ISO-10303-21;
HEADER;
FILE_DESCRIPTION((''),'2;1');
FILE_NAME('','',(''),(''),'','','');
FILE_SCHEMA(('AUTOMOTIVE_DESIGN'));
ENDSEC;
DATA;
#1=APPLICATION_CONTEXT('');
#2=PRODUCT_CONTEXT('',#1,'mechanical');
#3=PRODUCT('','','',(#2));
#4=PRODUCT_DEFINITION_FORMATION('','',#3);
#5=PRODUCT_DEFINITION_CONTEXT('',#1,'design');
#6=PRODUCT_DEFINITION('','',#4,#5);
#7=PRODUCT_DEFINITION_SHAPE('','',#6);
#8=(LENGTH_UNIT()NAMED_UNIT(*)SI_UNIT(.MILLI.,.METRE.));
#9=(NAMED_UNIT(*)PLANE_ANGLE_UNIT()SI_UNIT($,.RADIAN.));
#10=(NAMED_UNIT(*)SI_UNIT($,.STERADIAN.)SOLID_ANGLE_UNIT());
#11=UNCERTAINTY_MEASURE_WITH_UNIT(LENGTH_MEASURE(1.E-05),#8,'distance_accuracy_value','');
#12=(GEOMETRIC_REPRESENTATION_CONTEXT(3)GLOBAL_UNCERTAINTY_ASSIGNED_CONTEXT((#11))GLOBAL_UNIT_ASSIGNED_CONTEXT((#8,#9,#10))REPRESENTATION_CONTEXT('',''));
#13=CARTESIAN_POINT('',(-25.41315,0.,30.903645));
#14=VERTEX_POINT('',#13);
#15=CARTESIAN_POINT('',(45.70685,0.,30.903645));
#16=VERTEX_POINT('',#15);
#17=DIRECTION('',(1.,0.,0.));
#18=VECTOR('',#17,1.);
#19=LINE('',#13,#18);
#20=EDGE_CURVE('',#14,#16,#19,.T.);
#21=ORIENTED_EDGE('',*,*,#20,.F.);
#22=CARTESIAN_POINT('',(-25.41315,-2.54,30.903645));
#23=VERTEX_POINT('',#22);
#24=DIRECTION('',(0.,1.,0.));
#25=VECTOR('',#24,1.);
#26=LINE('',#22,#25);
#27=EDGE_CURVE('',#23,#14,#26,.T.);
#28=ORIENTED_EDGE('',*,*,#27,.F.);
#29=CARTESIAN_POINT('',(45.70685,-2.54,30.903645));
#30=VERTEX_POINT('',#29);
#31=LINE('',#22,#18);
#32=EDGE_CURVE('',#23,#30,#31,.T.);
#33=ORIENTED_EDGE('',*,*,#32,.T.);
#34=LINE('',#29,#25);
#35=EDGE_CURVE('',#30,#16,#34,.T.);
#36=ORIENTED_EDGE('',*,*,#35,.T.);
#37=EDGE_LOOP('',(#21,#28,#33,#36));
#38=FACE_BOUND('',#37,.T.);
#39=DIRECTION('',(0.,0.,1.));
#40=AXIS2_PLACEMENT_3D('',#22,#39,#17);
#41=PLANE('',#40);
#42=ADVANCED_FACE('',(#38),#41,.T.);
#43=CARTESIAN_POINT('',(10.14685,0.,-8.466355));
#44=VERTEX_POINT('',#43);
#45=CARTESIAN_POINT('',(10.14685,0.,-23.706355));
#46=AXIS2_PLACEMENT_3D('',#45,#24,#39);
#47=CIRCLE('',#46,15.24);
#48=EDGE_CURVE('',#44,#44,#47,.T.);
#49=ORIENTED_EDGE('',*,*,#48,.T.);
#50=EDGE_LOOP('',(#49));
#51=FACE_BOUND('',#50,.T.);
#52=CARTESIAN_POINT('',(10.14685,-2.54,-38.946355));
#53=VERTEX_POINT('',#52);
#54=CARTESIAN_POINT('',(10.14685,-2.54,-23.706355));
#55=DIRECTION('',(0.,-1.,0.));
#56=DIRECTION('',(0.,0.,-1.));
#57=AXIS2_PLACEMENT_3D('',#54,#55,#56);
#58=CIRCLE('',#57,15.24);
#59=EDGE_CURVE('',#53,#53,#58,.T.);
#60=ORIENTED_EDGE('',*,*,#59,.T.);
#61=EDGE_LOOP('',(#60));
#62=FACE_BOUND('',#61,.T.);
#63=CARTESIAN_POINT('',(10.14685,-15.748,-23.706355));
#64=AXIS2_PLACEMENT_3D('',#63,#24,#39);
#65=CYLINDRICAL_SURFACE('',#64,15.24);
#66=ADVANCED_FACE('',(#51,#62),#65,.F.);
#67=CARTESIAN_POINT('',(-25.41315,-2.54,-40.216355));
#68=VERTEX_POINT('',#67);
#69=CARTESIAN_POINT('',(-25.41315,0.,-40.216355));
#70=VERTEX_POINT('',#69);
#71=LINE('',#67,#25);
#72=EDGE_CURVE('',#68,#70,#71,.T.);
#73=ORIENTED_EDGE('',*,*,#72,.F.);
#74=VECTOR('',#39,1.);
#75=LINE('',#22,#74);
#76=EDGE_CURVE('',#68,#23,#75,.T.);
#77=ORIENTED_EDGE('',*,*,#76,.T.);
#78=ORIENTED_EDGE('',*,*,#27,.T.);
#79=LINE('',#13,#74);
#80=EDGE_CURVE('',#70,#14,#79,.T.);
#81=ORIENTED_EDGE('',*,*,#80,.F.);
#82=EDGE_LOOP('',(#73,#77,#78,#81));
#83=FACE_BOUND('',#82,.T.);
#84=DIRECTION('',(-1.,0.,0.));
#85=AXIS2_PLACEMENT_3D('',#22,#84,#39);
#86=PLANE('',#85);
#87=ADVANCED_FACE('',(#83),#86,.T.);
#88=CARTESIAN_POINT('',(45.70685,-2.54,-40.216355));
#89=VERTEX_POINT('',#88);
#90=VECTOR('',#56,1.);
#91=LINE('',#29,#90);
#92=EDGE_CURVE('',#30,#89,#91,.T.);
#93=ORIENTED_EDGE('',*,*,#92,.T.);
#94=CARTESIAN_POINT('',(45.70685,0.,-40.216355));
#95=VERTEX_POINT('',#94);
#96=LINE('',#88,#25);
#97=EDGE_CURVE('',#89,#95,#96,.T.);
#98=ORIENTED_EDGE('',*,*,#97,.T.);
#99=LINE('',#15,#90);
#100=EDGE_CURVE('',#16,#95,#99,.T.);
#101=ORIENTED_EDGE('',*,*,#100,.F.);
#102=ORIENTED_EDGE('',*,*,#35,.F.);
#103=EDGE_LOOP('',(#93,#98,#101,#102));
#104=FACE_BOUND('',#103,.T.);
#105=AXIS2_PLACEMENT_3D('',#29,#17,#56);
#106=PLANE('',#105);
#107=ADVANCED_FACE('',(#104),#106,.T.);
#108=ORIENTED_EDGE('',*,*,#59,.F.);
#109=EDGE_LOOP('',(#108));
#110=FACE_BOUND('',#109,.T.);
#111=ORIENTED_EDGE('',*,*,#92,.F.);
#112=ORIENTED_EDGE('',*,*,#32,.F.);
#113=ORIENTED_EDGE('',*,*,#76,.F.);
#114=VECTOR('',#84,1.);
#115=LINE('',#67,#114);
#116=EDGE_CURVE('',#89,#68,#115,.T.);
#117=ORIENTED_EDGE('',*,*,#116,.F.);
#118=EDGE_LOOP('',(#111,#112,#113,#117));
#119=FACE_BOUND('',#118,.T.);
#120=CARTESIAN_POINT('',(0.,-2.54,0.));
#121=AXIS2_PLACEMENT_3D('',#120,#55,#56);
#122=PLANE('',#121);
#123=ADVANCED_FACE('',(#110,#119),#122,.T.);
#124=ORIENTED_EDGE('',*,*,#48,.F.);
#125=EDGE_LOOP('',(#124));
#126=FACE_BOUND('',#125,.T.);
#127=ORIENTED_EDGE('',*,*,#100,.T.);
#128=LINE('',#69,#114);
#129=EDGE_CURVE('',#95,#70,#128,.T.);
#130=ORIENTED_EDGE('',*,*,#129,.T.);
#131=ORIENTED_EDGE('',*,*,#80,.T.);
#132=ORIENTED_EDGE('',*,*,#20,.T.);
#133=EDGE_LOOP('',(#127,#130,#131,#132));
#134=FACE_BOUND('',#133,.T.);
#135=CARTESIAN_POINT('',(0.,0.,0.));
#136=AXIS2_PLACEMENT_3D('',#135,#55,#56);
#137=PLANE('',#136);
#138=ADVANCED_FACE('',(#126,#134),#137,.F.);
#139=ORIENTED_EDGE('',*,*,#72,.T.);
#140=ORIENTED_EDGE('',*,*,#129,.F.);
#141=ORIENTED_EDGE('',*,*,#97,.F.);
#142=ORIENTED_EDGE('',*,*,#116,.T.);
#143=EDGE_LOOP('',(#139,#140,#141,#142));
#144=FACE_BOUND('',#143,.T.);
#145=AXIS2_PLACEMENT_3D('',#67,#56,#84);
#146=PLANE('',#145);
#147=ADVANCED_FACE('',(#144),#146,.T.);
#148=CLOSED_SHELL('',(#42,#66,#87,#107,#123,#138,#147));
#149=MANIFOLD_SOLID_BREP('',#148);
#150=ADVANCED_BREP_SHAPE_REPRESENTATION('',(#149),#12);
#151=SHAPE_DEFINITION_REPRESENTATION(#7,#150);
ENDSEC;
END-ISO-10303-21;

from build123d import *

# Parameters (mm, degrees)
SKETCH1_W           = 71.12
SKETCH1_H           = 71.12
BOSS_EXTRUDE1_DEPTH = 2.54
SKETCH2_R           = 15.24
CUT_EXTRUDE1_DEPTH  = 15.748


with BuildPart() as part:
    # Sketch1 → Boss-Extrude1 (new body)
    with BuildSketch(Plane(origin=(0, 0, 0), x_dir=(1, 0, 0), z_dir=(0, 1, 0))):
        with Locations((10.146850495, 4.656355231)):
            Rectangle(SKETCH1_W, SKETCH1_H)
    extrude(amount=-BOSS_EXTRUDE1_DEPTH)

    # Sketch2 → Cut-Extrude1 (cut)
    with BuildSketch(Plane(origin=(0, 0, 0), x_dir=(1, 0, 0), z_dir=(0, 1, 0))):
        with Locations(Location((10.146850495, 23.706355231, 0), (0, 0, 270))):
            Circle(SKETCH2_R)
    extrude(amount=-CUT_EXTRUDE1_DEPTH, mode=Mode.SUBTRACT)


solid = part.part
